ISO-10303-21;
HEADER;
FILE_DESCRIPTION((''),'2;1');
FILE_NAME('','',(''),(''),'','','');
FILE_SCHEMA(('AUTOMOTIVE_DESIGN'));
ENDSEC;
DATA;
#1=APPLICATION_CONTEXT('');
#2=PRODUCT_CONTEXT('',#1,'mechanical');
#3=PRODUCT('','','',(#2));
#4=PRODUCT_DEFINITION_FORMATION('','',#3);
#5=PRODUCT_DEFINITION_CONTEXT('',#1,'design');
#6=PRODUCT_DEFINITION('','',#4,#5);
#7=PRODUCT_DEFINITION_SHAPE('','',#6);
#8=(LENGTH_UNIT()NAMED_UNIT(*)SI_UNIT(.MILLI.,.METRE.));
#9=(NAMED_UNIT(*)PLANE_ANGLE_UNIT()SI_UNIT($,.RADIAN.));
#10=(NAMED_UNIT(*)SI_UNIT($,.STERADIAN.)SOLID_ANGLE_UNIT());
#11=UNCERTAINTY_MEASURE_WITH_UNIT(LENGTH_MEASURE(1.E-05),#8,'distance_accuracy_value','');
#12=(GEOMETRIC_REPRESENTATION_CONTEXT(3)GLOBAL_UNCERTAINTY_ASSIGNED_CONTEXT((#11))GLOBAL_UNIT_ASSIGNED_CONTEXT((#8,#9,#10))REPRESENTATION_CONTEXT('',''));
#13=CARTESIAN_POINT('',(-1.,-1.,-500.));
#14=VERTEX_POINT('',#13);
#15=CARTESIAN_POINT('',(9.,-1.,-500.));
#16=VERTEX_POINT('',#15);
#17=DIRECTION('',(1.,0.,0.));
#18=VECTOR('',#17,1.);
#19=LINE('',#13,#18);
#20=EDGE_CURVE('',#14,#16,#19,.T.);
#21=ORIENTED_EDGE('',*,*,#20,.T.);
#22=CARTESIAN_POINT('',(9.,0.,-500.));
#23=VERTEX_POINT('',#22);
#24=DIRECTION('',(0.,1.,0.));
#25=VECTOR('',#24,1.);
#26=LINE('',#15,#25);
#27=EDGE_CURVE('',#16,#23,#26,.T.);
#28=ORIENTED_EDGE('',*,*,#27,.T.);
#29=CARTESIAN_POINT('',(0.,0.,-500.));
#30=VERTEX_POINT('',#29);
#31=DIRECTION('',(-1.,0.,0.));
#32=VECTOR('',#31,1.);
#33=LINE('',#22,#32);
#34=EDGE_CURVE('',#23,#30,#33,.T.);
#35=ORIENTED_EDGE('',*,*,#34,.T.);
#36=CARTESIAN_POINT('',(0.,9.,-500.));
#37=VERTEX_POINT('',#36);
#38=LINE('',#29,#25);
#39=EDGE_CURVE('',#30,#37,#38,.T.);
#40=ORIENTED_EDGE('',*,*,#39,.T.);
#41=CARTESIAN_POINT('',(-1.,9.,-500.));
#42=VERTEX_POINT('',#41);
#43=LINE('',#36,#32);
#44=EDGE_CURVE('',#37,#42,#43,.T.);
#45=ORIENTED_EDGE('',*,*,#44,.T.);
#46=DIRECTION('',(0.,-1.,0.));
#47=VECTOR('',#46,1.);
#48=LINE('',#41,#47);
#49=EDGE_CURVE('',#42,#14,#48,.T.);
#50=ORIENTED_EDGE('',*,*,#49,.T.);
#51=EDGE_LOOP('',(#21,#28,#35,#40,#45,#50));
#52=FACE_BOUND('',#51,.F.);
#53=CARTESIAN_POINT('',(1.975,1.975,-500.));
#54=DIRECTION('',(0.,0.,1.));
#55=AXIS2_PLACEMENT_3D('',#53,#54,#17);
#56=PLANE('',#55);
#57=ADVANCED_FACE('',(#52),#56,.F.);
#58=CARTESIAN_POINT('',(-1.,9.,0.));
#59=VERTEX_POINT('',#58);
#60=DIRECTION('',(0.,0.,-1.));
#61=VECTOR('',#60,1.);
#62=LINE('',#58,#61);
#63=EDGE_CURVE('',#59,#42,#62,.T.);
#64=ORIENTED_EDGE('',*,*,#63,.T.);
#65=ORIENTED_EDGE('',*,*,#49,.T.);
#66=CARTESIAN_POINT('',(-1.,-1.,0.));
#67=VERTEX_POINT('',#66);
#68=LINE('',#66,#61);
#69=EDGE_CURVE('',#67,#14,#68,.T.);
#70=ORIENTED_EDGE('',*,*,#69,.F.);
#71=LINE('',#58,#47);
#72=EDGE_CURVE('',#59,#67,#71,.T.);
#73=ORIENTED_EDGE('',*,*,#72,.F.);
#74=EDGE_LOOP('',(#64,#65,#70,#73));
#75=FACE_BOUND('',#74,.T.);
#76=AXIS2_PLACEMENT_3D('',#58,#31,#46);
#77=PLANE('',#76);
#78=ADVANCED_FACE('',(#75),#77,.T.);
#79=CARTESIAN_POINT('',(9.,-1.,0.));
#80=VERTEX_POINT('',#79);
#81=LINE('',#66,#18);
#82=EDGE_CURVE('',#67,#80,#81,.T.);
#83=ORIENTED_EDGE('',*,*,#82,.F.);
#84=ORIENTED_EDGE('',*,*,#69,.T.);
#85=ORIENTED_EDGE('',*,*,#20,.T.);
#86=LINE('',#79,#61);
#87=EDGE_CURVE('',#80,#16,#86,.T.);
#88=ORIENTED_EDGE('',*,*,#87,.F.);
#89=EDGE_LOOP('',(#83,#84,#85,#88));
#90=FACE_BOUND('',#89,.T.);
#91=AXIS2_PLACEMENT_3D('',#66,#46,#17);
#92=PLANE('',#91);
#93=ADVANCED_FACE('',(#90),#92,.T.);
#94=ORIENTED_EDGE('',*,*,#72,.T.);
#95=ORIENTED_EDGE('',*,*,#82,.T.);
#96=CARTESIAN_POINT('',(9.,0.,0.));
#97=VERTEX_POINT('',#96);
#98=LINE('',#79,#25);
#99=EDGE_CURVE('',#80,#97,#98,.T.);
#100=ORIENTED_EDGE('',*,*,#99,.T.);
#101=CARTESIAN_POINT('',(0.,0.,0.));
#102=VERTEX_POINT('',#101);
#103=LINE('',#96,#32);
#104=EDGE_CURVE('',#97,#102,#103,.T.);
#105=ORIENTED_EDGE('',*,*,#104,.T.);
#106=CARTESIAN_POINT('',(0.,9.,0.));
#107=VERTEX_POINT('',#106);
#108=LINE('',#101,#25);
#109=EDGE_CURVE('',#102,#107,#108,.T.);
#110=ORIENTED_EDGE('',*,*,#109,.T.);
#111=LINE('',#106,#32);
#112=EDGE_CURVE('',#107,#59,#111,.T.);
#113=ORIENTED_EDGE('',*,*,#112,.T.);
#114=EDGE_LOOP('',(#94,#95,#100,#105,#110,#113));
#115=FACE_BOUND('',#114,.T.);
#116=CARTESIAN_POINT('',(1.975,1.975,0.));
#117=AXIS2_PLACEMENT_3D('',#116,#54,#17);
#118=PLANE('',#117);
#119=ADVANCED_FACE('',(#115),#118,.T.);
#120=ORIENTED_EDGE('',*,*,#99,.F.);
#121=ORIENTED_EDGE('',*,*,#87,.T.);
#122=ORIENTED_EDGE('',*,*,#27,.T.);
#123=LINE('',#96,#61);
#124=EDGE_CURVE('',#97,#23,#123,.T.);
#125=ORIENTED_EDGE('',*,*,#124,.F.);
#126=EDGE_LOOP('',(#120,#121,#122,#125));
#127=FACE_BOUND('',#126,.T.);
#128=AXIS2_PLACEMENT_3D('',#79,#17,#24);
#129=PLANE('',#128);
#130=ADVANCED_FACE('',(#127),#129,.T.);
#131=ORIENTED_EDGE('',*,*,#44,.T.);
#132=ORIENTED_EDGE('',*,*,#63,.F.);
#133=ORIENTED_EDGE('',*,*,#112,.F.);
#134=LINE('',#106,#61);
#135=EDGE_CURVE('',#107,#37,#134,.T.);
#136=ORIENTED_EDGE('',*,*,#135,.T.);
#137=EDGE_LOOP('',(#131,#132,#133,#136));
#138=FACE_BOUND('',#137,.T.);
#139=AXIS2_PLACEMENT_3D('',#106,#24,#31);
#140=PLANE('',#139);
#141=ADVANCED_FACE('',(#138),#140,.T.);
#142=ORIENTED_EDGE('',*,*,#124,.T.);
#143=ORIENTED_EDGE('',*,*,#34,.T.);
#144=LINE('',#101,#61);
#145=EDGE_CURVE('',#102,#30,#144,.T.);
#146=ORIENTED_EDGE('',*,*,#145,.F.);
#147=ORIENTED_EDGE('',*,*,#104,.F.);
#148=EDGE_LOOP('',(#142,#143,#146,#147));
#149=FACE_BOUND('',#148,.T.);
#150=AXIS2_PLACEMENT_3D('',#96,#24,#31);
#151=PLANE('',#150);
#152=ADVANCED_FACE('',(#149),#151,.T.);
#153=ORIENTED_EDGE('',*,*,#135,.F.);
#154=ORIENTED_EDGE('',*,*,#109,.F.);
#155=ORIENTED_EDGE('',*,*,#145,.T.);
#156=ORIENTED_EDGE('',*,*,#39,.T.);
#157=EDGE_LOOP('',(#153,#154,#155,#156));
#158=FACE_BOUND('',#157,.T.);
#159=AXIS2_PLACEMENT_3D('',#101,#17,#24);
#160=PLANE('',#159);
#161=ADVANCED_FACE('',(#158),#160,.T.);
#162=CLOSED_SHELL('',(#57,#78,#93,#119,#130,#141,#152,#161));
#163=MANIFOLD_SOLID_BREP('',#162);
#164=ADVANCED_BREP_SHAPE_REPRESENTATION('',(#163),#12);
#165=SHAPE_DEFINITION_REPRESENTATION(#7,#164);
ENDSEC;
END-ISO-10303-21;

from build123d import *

# Parameters (mm, degrees)
PAD_DEPTH = 500


with BuildPart() as part:
    # Sketch → Pad (new body)
    with BuildSketch(Plane.XY):
        Polygon((0, 0), (0, 9), (-1, 9), (-1, -1), (9, -1), (9, 0), align=None)
    extrude(amount=-PAD_DEPTH)


solid = part.part
